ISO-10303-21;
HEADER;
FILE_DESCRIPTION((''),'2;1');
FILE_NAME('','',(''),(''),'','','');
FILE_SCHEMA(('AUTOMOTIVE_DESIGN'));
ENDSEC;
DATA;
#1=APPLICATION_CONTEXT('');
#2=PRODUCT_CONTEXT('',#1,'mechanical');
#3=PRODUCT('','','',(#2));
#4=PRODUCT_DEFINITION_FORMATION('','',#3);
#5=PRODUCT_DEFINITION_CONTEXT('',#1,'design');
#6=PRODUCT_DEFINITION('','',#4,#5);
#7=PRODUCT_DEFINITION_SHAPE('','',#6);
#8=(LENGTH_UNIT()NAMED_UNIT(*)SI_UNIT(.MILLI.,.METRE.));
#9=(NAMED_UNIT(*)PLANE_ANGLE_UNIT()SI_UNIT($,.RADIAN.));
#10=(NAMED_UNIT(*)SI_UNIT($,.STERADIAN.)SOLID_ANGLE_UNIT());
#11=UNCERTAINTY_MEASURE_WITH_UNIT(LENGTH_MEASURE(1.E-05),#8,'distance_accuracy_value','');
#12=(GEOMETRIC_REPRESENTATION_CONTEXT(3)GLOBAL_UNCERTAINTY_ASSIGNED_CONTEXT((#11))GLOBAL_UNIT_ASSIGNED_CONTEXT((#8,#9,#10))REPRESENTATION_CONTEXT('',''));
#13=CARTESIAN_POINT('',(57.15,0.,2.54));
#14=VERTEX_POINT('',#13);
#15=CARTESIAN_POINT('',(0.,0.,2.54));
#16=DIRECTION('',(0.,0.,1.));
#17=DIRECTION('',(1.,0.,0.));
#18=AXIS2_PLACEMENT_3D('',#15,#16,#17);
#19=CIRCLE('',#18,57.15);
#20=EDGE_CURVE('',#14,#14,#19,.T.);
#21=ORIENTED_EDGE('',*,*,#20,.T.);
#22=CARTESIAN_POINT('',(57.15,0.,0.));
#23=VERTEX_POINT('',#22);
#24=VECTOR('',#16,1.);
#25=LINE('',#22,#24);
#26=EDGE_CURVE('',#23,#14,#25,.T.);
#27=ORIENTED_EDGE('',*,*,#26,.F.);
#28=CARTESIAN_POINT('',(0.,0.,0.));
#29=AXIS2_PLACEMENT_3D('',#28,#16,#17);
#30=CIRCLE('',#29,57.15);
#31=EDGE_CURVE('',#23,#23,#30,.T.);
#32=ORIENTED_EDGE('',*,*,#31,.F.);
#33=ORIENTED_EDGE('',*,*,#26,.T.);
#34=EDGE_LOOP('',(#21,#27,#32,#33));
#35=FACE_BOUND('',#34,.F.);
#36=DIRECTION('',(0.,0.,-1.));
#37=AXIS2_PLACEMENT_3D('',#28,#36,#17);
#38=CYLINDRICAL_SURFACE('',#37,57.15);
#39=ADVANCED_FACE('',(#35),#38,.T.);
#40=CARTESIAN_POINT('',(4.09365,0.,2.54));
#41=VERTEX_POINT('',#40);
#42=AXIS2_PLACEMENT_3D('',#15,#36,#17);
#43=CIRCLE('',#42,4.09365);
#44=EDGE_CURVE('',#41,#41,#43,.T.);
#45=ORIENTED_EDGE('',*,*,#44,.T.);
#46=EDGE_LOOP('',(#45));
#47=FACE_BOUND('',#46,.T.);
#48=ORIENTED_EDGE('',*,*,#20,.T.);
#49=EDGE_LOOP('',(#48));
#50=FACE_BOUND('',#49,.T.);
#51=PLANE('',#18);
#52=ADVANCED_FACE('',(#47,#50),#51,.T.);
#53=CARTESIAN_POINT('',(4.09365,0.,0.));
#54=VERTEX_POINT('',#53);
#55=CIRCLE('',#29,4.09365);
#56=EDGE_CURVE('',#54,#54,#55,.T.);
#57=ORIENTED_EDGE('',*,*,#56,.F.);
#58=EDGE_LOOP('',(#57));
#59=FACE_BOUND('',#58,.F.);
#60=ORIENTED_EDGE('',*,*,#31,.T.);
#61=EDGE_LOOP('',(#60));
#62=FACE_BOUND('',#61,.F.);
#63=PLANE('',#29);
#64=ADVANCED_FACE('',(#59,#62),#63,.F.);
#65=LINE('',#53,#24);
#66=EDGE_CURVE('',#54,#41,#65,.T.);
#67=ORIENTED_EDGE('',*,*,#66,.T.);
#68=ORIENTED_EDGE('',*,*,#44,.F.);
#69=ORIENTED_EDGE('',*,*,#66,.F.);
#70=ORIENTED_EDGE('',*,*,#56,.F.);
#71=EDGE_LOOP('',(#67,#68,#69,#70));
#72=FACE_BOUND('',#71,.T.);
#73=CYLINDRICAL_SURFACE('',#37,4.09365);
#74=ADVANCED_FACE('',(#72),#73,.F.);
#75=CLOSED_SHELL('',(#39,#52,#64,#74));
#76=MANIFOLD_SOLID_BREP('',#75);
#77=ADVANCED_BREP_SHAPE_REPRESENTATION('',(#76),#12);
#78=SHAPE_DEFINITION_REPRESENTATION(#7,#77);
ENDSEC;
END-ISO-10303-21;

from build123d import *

# Parameters (mm, degrees)
F0_R     = 57.15
F1_DEPTH = 2.54
F2_R     = 4.09365
F3_DEPTH = 25.4
F4_DEPTH = 25.4


with BuildPart() as f1:
    # F0 (on Top) → F1 (new body)
    with BuildSketch(Plane.XY):
        Circle(F0_R)
    extrude(amount=F1_DEPTH)

    # F2 (on Top) → F3 (cut)
    with BuildSketch(Plane.XY):
        Circle(F2_R)
    extrude(amount=-F3_DEPTH, mode=Mode.SUBTRACT)

    # F2 (on Top) → F4 (cut)
    with BuildSketch(Plane.XY):
        Circle(F2_R)
    extrude(amount=F4_DEPTH, mode=Mode.SUBTRACT)


solid = f1.part
